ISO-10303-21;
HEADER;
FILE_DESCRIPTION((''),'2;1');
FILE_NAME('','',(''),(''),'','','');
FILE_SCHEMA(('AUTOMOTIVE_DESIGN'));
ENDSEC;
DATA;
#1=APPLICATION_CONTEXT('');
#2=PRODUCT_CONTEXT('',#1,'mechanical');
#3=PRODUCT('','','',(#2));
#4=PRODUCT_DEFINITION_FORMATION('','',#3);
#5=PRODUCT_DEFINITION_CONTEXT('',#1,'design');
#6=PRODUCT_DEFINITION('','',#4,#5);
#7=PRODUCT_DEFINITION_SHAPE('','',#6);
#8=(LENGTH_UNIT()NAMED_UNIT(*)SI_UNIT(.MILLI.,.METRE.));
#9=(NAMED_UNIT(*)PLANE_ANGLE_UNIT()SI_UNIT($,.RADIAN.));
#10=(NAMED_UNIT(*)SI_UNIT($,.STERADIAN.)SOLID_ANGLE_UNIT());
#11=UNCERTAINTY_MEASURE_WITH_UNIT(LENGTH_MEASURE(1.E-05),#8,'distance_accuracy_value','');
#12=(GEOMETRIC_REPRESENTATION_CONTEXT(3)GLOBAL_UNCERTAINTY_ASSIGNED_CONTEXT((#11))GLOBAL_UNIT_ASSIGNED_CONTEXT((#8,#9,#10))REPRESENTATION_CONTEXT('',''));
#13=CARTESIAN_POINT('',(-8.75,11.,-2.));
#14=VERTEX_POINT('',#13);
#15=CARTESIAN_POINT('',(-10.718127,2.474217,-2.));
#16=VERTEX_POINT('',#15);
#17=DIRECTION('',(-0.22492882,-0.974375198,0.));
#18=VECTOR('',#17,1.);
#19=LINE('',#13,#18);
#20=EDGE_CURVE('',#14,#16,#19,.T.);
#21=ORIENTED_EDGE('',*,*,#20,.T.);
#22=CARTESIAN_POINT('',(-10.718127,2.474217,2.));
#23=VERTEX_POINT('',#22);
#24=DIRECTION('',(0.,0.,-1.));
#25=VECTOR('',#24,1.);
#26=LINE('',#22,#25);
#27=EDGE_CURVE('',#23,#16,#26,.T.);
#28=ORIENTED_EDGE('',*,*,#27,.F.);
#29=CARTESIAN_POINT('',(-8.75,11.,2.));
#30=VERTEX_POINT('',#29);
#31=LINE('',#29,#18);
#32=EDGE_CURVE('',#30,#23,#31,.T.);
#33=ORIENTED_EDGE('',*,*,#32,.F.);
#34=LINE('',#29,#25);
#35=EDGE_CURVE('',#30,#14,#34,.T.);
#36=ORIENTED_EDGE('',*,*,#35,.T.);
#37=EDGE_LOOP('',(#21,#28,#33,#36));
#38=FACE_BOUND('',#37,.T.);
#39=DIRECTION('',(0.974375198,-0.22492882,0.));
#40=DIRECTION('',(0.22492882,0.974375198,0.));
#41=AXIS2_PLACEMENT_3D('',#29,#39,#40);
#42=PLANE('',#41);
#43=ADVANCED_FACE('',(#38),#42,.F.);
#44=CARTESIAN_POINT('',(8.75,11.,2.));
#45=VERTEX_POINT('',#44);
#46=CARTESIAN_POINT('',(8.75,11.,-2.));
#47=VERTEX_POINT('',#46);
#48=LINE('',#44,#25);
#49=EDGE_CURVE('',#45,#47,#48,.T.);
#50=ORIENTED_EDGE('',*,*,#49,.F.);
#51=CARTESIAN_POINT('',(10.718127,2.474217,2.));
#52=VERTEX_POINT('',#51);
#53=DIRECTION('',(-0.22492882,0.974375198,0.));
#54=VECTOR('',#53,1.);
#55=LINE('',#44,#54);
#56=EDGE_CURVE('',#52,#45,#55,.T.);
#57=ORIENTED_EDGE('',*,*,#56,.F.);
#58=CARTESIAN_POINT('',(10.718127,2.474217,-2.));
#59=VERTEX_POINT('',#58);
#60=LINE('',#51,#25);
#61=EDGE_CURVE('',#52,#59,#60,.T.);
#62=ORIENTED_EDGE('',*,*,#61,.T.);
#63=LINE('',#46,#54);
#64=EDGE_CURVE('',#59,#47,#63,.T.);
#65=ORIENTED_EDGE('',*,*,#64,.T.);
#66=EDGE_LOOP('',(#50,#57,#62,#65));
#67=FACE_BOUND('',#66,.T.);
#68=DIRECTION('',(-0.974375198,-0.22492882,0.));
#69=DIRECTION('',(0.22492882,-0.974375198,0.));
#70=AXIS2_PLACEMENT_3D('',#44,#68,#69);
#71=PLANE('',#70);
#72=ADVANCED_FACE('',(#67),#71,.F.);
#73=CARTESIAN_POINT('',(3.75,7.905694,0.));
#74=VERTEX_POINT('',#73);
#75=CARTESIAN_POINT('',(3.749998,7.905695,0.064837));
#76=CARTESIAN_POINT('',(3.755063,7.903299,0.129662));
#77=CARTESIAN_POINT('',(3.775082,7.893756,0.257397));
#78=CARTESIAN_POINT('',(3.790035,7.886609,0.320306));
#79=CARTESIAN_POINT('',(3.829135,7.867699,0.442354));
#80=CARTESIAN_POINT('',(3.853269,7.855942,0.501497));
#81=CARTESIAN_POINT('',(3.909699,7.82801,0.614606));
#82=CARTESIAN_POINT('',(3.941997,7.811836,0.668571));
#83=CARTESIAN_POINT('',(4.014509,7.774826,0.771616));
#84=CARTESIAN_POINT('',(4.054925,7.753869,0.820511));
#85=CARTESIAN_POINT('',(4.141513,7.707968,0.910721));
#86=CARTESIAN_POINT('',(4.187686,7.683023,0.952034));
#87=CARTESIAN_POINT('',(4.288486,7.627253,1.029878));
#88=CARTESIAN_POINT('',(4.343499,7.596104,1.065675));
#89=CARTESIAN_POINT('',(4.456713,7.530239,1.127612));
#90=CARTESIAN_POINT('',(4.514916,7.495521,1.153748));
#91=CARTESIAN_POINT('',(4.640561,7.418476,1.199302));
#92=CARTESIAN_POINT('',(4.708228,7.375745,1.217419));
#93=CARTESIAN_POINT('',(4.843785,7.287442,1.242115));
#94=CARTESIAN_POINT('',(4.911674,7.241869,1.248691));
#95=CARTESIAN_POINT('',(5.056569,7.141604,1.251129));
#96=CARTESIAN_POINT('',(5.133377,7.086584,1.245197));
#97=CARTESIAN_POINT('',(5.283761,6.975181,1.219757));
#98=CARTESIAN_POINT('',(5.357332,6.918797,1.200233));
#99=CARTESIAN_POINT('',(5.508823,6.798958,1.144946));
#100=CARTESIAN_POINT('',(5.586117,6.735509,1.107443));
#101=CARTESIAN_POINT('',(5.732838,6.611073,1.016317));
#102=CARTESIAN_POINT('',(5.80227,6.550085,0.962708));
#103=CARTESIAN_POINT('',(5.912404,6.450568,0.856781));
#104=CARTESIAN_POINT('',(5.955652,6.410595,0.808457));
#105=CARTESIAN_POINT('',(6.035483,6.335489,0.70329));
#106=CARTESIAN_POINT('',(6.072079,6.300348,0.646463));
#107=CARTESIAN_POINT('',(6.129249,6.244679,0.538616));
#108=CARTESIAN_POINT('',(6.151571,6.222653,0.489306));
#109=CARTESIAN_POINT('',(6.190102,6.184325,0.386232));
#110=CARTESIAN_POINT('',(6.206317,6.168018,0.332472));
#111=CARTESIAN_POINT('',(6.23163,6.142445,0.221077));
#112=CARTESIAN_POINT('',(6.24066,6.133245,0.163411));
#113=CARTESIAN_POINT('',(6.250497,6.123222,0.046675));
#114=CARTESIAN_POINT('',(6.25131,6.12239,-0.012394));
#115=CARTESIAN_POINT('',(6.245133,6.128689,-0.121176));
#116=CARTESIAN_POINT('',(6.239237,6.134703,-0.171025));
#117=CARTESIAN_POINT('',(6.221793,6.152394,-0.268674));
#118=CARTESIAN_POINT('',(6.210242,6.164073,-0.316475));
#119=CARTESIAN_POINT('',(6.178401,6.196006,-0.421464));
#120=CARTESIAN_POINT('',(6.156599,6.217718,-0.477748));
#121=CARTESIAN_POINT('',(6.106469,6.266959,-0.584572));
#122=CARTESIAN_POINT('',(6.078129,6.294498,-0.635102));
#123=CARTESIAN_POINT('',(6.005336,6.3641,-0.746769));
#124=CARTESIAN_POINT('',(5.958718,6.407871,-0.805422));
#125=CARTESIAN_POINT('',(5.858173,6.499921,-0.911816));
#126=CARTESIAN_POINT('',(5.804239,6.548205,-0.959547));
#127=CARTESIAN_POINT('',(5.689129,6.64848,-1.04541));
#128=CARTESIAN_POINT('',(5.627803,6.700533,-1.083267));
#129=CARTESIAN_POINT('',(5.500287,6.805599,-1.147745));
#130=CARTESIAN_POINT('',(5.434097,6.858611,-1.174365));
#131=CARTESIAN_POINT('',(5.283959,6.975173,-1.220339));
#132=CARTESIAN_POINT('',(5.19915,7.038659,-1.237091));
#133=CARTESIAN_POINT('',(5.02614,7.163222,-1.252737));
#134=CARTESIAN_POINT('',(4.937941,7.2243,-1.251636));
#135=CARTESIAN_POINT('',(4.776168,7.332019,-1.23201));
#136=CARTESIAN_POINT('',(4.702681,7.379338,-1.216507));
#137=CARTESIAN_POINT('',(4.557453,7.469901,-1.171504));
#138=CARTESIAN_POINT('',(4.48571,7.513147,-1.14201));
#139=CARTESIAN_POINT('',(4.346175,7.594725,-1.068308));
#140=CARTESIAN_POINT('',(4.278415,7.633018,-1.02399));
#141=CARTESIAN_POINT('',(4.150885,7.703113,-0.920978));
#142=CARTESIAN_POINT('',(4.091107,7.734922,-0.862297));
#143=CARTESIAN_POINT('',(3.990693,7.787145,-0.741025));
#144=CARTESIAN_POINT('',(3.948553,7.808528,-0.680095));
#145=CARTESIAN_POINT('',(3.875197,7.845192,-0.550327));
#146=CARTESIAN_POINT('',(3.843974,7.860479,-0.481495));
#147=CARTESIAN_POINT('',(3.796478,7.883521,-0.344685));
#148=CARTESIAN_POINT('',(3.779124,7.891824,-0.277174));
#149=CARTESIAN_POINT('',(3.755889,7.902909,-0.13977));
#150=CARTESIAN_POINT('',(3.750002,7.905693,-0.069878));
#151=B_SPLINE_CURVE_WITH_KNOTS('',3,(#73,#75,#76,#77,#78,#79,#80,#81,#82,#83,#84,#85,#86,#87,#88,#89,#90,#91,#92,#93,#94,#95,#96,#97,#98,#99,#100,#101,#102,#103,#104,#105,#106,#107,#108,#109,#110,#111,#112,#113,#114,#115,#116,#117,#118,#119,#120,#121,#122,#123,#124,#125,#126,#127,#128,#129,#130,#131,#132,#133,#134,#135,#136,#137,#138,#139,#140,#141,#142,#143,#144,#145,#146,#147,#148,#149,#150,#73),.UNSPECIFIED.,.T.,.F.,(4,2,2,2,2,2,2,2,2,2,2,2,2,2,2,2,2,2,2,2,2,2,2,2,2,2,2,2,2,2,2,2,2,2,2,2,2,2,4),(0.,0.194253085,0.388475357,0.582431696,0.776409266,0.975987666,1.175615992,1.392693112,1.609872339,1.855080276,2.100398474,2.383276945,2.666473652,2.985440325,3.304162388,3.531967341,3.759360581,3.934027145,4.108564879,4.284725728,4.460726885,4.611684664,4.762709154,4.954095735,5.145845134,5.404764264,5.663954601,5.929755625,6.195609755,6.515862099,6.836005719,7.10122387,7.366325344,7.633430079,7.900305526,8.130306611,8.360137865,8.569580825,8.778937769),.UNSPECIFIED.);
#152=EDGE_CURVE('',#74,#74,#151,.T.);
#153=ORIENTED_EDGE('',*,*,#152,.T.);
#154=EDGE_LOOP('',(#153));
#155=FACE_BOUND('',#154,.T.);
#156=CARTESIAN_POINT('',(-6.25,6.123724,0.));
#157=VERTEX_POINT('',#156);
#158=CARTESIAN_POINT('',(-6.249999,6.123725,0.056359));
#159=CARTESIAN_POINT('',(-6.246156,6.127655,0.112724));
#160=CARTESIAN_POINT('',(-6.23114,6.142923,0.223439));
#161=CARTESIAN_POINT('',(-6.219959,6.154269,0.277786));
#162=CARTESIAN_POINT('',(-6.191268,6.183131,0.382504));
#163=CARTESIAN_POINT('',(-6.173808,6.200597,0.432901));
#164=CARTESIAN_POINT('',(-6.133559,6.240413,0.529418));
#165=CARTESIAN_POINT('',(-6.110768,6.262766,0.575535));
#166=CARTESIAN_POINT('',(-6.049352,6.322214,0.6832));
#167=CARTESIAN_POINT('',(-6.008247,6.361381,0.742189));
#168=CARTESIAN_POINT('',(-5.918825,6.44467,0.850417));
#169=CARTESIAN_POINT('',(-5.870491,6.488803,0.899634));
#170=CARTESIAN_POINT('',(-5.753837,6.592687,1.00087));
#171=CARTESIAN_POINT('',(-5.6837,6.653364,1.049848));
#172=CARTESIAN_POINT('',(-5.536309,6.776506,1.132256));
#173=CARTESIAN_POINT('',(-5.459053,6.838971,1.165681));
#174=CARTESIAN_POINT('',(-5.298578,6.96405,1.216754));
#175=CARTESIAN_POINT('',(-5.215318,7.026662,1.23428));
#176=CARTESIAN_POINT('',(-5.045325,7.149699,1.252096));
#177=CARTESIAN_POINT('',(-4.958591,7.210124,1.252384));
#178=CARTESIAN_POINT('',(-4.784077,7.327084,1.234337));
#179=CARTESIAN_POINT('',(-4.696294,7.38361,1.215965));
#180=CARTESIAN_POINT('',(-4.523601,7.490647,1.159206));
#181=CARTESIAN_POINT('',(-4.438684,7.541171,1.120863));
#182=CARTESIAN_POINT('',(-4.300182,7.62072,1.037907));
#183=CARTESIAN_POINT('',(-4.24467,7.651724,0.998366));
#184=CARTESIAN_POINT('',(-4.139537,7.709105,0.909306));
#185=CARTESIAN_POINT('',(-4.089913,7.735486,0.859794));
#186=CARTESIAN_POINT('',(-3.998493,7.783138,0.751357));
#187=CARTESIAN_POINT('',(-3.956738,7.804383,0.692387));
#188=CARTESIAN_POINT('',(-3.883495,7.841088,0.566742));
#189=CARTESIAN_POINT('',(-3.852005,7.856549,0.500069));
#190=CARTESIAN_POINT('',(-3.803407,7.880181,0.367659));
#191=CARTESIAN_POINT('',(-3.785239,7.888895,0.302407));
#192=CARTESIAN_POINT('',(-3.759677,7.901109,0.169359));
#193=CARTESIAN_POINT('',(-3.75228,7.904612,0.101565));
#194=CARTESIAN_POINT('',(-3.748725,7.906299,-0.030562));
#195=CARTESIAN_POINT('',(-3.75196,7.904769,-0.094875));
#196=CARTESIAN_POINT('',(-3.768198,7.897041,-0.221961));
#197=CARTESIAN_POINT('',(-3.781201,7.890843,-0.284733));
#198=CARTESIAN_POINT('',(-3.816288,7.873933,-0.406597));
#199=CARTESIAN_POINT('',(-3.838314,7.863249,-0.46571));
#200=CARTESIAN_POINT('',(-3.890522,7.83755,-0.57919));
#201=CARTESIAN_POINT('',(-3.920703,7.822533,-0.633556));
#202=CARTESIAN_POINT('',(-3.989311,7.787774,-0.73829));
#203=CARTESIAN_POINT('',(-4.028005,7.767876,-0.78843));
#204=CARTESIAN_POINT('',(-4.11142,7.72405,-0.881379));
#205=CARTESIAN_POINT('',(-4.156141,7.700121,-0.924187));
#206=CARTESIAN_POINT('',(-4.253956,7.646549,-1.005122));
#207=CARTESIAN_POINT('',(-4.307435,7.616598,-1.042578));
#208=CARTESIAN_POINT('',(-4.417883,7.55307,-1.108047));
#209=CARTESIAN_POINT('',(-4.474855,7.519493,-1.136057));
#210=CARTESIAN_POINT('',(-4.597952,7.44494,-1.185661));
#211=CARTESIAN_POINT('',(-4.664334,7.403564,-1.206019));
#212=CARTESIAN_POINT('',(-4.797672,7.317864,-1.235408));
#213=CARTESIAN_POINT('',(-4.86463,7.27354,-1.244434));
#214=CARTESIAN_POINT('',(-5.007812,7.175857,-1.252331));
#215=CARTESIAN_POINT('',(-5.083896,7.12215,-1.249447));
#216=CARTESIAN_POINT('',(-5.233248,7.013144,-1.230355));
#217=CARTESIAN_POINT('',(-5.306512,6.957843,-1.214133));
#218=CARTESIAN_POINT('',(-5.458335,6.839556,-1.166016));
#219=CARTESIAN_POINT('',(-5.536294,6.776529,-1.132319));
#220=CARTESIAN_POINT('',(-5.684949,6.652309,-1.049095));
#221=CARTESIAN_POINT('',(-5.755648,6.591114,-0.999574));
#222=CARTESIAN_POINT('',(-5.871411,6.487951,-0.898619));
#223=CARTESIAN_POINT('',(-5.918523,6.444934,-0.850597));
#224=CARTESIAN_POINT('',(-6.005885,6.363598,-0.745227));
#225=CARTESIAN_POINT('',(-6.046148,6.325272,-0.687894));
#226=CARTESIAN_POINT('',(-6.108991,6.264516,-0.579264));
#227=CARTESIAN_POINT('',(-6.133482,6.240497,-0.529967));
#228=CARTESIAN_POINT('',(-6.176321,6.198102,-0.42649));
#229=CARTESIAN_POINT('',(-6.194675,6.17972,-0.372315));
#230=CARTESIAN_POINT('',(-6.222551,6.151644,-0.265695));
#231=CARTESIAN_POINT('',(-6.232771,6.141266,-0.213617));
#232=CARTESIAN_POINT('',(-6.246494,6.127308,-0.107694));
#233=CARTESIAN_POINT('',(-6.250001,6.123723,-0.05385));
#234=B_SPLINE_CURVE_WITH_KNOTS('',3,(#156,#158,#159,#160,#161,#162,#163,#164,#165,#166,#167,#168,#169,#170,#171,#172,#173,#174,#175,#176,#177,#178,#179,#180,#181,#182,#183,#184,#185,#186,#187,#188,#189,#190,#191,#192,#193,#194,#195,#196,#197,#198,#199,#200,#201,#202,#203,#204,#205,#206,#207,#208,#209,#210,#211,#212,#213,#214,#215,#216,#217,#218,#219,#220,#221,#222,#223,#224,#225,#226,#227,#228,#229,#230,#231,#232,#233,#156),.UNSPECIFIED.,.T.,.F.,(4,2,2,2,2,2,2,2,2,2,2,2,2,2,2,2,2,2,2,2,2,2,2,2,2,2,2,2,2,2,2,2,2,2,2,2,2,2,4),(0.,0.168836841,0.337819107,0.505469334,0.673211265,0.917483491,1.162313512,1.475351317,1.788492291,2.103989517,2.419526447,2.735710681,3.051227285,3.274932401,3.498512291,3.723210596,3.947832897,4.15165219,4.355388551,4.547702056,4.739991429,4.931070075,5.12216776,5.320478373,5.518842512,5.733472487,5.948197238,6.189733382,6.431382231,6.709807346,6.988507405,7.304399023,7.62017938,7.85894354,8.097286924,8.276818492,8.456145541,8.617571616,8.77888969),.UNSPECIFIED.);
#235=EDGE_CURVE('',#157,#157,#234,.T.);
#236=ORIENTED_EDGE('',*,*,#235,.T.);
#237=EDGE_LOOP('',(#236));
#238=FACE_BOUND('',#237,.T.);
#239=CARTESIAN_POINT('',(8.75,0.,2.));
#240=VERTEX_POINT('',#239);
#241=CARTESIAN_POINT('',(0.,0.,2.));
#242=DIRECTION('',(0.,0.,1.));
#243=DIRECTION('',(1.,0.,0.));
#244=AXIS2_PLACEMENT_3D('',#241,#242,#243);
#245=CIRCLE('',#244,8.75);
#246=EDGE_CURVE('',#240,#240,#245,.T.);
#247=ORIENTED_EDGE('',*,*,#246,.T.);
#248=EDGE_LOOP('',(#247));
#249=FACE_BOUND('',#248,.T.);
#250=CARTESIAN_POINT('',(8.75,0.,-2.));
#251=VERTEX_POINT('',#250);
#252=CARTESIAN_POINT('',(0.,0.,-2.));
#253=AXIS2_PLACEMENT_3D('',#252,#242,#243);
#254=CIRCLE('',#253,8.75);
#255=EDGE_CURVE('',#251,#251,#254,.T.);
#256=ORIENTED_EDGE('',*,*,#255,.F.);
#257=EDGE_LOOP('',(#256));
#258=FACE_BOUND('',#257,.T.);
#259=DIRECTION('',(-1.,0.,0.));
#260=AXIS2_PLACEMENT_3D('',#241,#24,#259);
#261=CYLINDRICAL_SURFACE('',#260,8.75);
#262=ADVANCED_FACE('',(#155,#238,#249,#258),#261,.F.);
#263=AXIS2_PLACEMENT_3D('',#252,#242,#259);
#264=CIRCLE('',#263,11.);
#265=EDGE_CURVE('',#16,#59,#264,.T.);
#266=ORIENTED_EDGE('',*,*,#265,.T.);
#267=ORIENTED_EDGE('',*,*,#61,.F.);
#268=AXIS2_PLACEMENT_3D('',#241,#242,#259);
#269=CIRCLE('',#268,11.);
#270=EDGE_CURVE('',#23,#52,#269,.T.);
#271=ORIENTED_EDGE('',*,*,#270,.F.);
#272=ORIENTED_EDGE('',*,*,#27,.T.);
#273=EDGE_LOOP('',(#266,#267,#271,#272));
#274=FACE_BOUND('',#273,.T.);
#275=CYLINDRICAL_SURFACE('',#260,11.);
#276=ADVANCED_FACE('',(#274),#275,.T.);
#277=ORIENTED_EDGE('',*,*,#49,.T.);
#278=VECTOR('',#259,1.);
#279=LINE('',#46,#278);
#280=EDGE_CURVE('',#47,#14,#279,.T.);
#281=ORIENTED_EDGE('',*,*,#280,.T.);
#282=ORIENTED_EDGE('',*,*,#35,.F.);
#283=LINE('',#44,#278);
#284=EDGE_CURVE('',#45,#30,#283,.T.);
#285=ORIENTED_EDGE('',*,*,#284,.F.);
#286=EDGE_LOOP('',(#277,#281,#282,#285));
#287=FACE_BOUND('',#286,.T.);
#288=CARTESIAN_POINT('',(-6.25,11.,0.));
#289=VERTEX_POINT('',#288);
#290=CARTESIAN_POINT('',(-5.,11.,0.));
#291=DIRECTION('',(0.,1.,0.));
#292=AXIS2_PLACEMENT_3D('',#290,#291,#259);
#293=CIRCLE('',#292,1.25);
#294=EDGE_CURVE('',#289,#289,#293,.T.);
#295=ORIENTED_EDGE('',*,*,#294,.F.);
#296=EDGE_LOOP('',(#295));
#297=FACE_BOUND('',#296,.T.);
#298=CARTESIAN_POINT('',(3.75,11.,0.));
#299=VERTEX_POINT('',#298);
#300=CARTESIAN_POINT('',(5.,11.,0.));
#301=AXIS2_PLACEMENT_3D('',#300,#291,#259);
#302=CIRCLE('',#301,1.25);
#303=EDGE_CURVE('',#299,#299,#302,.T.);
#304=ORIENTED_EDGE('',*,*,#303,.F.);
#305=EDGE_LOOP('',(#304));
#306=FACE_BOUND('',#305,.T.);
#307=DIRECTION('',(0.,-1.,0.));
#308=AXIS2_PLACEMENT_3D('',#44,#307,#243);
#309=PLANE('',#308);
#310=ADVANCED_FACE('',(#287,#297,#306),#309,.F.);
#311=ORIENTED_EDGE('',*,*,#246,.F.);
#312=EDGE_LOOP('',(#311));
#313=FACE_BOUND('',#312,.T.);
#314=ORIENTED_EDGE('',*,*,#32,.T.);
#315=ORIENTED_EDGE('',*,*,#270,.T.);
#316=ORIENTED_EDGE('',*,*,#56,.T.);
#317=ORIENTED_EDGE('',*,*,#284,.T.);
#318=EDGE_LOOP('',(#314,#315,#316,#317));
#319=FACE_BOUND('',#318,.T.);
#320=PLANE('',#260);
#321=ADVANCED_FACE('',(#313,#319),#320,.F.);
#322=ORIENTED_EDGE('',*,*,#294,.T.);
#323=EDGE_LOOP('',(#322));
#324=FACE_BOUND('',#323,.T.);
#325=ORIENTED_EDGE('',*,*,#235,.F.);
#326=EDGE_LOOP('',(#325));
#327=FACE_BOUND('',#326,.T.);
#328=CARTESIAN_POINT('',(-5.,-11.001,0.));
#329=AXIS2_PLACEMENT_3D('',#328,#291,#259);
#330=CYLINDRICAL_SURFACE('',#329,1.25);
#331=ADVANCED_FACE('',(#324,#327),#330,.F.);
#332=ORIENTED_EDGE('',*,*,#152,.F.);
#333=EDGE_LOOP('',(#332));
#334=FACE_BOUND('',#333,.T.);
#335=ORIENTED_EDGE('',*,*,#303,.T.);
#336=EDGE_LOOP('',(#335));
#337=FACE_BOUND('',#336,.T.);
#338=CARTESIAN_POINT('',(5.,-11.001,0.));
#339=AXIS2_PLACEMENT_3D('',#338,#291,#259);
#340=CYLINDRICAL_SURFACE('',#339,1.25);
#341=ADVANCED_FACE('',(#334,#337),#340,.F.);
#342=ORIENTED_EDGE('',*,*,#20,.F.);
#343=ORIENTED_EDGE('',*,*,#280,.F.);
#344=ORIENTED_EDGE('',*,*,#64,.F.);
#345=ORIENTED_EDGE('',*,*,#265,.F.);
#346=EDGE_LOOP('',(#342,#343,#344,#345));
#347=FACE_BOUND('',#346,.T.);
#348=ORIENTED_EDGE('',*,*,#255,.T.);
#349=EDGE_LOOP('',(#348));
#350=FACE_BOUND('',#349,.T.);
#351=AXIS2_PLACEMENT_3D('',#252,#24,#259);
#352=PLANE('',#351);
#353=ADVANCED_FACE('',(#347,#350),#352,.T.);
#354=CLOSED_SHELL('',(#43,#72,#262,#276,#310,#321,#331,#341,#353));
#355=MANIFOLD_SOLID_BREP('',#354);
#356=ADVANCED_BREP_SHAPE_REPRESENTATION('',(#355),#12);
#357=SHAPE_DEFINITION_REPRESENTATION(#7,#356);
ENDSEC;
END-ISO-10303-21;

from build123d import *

# Parameters (mm, degrees)
SKETCH1_R                = 8.75
BOSS_EXTRUDE1_DEPTH      = 2
THREADEDHOLES_REACH      = 26.678
THREADEDHOLES_END_RADIUS = 8.75
SKETCH2_R                = 1.25


with BuildPart() as part:
    # Sketch1 → Boss-Extrude1 (new, symmetric)
    with BuildSketch(Plane.XY):
        with BuildLine():
            Line((8.75, 11), (-8.75, 11))
            Line((-8.75, 11), (-10.718127175, 2.47421702))
            ThreePointArc((-10.718127175, 2.47421702), (0, -11), (10.718127175, 2.47421702))
            Line((10.718127175, 2.47421702), (8.75, 11))
        make_face()
        Circle(SKETCH1_R, mode=Mode.SUBTRACT)
    extrude(amount=BOSS_EXTRUDE1_DEPTH, both=True)

    # ThreadedHoles: up to this cylinder (the profile starts outside it)
    threadedholes_end = Plane(origin=(0, 0, 0), z_dir=(0, 0, -1)) * Cylinder(THREADEDHOLES_END_RADIUS, 71.856, mode=Mode.PRIVATE)
    # Sketch2 → ThreadedHoles (cut, up to the surface)
    with BuildSketch(Plane(origin=(0, 11, 0), x_dir=(1, 0, 0), z_dir=(0, 1, 0)), mode=Mode.PRIVATE) as threadedholes_sk1:
        with Locations(Location((-5, 0, 0), (0, 0, 180))):
            Circle(SKETCH2_R)
    threadedholes_tool1 = extrude(threadedholes_sk1.sketch, amount=-THREADEDHOLES_REACH, mode=Mode.PRIVATE) - threadedholes_end
    add(threadedholes_tool1.solids().sort_by_distance((-5, 11, 0))[0], mode=Mode.SUBTRACT)
    # Sketch2 → ThreadedHoles (cut, up to the surface)
    with BuildSketch(Plane(origin=(0, 11, 0), x_dir=(1, 0, 0), z_dir=(0, 1, 0)), mode=Mode.PRIVATE) as threadedholes_sk2:
        with Locations(Location((5, 0, 0), (0, 0, 180))):
            Circle(SKETCH2_R)
    threadedholes_tool2 = extrude(threadedholes_sk2.sketch, amount=-THREADEDHOLES_REACH, mode=Mode.PRIVATE) - threadedholes_end
    add(threadedholes_tool2.solids().sort_by_distance((5, 11, 0))[0], mode=Mode.SUBTRACT)


solid = part.part
